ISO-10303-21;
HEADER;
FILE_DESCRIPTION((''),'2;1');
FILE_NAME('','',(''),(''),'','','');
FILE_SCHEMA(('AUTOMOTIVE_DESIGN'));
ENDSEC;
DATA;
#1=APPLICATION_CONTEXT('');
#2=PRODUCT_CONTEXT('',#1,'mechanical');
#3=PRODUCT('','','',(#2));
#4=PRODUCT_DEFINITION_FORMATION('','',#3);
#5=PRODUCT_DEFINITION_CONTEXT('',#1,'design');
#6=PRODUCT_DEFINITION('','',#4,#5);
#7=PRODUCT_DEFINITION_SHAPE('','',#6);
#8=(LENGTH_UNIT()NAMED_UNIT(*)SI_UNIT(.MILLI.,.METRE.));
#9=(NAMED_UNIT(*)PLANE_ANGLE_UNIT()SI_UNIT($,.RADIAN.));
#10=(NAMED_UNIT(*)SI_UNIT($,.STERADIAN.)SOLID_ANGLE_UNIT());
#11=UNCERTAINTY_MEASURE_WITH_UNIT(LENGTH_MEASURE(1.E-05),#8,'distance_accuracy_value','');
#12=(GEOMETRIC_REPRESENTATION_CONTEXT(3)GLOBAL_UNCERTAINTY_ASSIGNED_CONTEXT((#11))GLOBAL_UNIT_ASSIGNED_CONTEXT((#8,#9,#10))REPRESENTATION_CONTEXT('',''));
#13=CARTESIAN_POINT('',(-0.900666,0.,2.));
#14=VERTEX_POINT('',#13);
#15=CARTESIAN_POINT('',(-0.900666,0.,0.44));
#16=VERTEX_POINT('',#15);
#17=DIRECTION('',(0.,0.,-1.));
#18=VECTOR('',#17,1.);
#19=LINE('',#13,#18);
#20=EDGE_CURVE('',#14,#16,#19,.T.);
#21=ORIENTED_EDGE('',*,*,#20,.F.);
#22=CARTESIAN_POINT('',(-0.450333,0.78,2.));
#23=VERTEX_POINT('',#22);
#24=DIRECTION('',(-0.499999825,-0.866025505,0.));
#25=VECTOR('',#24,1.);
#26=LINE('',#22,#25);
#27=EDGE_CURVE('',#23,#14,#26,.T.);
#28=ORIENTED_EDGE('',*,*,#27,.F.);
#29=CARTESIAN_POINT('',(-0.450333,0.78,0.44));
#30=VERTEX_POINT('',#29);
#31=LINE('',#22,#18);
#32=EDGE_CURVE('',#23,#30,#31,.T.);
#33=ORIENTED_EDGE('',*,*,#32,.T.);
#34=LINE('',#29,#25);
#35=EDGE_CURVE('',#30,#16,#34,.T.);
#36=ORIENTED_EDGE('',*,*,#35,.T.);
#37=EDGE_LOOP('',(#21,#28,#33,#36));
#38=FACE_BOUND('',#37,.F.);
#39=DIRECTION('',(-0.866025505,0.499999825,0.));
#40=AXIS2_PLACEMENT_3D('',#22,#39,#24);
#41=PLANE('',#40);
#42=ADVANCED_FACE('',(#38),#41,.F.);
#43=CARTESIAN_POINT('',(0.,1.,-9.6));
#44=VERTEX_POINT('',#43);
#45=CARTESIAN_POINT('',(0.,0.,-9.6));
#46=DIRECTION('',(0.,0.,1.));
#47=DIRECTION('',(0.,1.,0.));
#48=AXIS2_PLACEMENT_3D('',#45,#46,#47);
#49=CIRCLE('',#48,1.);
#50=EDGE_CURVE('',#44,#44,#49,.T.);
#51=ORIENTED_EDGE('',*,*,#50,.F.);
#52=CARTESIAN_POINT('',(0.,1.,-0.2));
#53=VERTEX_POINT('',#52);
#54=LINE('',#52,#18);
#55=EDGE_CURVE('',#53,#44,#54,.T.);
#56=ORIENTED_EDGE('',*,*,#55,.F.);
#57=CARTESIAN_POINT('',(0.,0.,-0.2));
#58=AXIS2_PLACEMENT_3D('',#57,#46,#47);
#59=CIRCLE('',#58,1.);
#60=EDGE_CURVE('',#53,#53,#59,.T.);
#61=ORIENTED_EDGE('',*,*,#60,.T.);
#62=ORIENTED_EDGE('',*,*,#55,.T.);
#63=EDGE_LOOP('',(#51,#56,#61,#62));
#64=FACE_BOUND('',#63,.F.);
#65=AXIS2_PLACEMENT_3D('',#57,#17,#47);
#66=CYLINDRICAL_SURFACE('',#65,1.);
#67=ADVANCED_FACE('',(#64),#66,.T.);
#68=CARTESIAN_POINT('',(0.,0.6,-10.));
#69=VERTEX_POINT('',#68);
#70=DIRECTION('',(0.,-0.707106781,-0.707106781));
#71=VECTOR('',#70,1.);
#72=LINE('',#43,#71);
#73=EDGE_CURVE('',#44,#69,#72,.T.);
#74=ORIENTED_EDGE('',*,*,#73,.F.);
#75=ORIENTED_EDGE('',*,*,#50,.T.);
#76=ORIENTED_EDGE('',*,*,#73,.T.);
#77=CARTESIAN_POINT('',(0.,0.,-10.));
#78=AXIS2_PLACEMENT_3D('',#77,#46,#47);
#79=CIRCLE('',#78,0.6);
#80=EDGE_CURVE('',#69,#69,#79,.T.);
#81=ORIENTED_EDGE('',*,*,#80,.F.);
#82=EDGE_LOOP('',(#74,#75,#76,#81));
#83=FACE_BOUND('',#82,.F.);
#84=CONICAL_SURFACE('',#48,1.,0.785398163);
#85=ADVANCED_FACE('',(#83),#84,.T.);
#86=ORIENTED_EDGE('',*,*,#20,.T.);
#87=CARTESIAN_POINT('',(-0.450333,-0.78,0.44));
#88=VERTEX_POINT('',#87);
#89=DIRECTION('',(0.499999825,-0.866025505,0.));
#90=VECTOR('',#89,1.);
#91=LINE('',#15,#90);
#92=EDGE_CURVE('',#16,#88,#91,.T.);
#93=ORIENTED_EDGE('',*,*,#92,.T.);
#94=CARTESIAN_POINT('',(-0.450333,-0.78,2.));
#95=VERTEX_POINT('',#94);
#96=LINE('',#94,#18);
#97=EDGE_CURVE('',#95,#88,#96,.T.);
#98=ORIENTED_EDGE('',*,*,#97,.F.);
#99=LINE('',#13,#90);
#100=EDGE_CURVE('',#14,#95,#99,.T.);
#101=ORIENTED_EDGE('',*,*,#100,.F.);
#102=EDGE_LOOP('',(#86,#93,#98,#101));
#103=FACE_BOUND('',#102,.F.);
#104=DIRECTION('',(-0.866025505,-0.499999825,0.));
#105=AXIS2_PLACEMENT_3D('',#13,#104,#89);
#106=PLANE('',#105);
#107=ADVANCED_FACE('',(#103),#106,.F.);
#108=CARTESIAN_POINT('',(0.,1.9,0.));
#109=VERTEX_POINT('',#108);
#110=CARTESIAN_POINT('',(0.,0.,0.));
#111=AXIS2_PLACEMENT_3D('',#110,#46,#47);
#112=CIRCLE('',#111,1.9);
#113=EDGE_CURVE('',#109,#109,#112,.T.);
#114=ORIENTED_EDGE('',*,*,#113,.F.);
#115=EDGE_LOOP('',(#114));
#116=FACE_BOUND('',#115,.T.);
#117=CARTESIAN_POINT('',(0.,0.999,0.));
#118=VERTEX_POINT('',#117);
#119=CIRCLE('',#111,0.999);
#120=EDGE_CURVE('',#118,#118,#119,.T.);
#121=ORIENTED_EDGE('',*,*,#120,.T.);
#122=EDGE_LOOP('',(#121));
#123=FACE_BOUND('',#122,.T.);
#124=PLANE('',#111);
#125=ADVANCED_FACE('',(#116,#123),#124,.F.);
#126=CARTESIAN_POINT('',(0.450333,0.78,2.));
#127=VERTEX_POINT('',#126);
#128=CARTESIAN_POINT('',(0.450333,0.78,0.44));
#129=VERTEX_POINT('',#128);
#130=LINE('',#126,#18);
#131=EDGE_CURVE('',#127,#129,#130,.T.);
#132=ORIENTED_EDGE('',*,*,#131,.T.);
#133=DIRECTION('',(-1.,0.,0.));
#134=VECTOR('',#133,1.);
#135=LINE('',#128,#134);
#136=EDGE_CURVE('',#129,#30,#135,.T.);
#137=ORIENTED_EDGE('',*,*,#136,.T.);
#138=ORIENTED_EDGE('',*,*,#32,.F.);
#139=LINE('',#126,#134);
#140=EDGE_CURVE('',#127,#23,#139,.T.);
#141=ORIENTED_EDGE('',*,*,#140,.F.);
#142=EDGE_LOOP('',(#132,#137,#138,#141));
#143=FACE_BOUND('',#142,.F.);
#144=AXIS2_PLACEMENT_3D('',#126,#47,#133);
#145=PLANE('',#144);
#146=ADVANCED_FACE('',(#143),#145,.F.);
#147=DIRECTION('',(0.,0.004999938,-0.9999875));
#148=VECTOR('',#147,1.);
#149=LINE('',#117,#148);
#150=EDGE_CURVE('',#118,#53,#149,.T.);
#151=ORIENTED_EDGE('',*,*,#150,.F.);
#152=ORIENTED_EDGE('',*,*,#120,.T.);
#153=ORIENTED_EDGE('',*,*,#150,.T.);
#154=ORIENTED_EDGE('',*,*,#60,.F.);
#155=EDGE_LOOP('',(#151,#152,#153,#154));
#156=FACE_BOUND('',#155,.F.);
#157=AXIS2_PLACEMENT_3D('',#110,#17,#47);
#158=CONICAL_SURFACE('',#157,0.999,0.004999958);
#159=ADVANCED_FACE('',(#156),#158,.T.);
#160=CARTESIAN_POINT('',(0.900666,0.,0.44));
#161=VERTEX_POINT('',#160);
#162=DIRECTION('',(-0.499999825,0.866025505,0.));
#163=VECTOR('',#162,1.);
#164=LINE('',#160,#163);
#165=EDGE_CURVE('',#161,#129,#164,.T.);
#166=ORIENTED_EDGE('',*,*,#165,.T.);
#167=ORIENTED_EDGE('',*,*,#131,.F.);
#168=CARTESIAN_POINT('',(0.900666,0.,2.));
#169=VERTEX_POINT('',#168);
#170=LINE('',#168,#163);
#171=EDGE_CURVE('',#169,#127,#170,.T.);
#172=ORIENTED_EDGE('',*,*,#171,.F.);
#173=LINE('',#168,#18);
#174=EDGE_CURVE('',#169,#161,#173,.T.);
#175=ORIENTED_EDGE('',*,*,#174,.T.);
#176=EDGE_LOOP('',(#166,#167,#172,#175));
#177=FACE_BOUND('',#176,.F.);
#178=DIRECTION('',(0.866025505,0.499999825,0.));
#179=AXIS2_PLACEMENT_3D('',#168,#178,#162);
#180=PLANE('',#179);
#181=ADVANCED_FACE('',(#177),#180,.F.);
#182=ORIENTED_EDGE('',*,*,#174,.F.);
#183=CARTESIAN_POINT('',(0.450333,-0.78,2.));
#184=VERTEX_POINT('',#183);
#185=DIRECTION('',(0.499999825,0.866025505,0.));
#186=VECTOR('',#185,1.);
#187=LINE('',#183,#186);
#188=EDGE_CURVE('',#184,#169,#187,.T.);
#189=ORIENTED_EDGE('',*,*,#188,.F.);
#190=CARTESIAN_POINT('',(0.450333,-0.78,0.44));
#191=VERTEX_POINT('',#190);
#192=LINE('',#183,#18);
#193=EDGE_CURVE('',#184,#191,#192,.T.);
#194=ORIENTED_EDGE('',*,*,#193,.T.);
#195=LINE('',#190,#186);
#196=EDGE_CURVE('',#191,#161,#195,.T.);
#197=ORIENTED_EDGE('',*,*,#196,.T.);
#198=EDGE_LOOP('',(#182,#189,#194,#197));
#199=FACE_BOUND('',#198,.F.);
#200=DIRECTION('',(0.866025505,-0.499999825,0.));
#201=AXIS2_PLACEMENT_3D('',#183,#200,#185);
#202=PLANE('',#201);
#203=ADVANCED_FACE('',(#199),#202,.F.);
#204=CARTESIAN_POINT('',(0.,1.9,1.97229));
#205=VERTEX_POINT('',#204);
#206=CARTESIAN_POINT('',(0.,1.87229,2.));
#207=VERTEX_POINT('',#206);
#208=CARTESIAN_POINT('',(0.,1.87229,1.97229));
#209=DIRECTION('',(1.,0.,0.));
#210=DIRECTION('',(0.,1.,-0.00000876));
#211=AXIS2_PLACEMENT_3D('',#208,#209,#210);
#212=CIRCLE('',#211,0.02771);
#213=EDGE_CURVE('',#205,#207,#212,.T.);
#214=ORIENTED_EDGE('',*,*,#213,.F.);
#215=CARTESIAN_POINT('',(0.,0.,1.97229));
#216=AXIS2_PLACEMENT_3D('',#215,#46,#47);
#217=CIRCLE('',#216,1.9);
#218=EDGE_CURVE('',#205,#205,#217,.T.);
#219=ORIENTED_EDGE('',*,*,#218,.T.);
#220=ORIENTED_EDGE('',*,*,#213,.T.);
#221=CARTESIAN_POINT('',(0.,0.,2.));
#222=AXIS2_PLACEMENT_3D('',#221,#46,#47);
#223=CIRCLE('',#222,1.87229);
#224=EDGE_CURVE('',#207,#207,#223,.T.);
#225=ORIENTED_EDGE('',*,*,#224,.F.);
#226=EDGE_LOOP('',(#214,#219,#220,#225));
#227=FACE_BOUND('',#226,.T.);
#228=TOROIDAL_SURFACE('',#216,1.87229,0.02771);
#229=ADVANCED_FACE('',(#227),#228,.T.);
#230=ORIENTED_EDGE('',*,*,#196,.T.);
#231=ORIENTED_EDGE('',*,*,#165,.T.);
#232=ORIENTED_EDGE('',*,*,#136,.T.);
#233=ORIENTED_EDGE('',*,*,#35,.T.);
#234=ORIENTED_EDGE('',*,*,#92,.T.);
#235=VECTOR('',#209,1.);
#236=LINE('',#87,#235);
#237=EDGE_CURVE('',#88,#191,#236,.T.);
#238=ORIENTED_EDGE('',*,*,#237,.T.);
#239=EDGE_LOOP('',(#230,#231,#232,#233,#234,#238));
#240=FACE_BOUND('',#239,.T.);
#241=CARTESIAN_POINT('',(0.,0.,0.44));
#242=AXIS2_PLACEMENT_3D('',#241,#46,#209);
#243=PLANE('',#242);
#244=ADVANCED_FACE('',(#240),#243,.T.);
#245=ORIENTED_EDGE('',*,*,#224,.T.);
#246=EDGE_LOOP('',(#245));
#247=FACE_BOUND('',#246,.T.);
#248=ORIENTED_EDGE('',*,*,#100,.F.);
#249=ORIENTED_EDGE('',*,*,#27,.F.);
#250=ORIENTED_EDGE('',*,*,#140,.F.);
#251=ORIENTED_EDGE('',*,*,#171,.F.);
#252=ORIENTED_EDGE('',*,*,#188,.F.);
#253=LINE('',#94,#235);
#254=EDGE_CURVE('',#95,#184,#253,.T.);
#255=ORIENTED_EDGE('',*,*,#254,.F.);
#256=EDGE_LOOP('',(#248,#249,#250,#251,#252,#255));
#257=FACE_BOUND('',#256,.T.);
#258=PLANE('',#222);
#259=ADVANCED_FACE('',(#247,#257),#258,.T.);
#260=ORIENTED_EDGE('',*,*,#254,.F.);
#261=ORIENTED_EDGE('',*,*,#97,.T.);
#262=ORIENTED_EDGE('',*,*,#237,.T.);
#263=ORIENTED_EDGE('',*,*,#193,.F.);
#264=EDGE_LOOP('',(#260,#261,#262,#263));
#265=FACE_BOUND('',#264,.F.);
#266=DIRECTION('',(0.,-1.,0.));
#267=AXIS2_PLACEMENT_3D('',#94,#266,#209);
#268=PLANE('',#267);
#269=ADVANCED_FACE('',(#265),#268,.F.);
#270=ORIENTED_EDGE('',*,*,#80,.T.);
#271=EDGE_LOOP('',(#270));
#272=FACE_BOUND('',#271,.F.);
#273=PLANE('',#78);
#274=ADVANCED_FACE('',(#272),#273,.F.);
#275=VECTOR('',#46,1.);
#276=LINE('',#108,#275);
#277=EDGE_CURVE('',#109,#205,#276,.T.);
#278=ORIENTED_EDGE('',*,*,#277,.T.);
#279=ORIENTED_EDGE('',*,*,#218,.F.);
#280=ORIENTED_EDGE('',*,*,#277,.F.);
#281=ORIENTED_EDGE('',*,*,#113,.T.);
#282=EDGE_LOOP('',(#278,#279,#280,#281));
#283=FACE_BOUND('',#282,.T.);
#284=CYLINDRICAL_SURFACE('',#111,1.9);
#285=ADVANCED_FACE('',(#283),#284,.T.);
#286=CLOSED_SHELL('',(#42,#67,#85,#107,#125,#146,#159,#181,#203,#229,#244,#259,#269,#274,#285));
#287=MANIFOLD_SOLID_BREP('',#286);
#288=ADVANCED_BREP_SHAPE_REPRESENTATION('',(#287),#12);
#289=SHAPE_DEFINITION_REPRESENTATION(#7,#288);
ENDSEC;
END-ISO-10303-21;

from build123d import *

# Parameters (mm, degrees)
POCKET_DEPTH = 1.56


with BuildPart() as part:
    # Sketch → Revolve (revolve)
    with BuildSketch(Plane.YZ):
        with BuildLine():
            Line((0.999, 0), (1.9, 0))
            Line((1.9, 0), (1.9, 1.97229))
            ThreePointArc((1.9, 1.97229), (1.891884, 1.991884), (1.87229, 2))
            Line((1.87229, 2), (0, 2))
            Line((0, -10), (0, 2))
            Line((0.6, -10), (0, -10))
            Line((1, -9.6), (0.6, -10))
            Line((1, -0.2), (1, -9.6))
            Line((0.999, 0), (1, -0.2))
        make_face()
    revolve(axis=Axis((0, 0, 0), (0, 0, 1)))

    # Sketch001 → Pocket (cut)
    with BuildSketch(Plane.XY.offset(2)):
        Polygon((0.900666, 0), (0.450333, 0.78), (-0.450333, 0.78), (-0.900666, 0), (-0.450333, -0.78), (0.450333, -0.78), align=None)
    extrude(amount=-POCKET_DEPTH, mode=Mode.SUBTRACT)


solid = part.part
